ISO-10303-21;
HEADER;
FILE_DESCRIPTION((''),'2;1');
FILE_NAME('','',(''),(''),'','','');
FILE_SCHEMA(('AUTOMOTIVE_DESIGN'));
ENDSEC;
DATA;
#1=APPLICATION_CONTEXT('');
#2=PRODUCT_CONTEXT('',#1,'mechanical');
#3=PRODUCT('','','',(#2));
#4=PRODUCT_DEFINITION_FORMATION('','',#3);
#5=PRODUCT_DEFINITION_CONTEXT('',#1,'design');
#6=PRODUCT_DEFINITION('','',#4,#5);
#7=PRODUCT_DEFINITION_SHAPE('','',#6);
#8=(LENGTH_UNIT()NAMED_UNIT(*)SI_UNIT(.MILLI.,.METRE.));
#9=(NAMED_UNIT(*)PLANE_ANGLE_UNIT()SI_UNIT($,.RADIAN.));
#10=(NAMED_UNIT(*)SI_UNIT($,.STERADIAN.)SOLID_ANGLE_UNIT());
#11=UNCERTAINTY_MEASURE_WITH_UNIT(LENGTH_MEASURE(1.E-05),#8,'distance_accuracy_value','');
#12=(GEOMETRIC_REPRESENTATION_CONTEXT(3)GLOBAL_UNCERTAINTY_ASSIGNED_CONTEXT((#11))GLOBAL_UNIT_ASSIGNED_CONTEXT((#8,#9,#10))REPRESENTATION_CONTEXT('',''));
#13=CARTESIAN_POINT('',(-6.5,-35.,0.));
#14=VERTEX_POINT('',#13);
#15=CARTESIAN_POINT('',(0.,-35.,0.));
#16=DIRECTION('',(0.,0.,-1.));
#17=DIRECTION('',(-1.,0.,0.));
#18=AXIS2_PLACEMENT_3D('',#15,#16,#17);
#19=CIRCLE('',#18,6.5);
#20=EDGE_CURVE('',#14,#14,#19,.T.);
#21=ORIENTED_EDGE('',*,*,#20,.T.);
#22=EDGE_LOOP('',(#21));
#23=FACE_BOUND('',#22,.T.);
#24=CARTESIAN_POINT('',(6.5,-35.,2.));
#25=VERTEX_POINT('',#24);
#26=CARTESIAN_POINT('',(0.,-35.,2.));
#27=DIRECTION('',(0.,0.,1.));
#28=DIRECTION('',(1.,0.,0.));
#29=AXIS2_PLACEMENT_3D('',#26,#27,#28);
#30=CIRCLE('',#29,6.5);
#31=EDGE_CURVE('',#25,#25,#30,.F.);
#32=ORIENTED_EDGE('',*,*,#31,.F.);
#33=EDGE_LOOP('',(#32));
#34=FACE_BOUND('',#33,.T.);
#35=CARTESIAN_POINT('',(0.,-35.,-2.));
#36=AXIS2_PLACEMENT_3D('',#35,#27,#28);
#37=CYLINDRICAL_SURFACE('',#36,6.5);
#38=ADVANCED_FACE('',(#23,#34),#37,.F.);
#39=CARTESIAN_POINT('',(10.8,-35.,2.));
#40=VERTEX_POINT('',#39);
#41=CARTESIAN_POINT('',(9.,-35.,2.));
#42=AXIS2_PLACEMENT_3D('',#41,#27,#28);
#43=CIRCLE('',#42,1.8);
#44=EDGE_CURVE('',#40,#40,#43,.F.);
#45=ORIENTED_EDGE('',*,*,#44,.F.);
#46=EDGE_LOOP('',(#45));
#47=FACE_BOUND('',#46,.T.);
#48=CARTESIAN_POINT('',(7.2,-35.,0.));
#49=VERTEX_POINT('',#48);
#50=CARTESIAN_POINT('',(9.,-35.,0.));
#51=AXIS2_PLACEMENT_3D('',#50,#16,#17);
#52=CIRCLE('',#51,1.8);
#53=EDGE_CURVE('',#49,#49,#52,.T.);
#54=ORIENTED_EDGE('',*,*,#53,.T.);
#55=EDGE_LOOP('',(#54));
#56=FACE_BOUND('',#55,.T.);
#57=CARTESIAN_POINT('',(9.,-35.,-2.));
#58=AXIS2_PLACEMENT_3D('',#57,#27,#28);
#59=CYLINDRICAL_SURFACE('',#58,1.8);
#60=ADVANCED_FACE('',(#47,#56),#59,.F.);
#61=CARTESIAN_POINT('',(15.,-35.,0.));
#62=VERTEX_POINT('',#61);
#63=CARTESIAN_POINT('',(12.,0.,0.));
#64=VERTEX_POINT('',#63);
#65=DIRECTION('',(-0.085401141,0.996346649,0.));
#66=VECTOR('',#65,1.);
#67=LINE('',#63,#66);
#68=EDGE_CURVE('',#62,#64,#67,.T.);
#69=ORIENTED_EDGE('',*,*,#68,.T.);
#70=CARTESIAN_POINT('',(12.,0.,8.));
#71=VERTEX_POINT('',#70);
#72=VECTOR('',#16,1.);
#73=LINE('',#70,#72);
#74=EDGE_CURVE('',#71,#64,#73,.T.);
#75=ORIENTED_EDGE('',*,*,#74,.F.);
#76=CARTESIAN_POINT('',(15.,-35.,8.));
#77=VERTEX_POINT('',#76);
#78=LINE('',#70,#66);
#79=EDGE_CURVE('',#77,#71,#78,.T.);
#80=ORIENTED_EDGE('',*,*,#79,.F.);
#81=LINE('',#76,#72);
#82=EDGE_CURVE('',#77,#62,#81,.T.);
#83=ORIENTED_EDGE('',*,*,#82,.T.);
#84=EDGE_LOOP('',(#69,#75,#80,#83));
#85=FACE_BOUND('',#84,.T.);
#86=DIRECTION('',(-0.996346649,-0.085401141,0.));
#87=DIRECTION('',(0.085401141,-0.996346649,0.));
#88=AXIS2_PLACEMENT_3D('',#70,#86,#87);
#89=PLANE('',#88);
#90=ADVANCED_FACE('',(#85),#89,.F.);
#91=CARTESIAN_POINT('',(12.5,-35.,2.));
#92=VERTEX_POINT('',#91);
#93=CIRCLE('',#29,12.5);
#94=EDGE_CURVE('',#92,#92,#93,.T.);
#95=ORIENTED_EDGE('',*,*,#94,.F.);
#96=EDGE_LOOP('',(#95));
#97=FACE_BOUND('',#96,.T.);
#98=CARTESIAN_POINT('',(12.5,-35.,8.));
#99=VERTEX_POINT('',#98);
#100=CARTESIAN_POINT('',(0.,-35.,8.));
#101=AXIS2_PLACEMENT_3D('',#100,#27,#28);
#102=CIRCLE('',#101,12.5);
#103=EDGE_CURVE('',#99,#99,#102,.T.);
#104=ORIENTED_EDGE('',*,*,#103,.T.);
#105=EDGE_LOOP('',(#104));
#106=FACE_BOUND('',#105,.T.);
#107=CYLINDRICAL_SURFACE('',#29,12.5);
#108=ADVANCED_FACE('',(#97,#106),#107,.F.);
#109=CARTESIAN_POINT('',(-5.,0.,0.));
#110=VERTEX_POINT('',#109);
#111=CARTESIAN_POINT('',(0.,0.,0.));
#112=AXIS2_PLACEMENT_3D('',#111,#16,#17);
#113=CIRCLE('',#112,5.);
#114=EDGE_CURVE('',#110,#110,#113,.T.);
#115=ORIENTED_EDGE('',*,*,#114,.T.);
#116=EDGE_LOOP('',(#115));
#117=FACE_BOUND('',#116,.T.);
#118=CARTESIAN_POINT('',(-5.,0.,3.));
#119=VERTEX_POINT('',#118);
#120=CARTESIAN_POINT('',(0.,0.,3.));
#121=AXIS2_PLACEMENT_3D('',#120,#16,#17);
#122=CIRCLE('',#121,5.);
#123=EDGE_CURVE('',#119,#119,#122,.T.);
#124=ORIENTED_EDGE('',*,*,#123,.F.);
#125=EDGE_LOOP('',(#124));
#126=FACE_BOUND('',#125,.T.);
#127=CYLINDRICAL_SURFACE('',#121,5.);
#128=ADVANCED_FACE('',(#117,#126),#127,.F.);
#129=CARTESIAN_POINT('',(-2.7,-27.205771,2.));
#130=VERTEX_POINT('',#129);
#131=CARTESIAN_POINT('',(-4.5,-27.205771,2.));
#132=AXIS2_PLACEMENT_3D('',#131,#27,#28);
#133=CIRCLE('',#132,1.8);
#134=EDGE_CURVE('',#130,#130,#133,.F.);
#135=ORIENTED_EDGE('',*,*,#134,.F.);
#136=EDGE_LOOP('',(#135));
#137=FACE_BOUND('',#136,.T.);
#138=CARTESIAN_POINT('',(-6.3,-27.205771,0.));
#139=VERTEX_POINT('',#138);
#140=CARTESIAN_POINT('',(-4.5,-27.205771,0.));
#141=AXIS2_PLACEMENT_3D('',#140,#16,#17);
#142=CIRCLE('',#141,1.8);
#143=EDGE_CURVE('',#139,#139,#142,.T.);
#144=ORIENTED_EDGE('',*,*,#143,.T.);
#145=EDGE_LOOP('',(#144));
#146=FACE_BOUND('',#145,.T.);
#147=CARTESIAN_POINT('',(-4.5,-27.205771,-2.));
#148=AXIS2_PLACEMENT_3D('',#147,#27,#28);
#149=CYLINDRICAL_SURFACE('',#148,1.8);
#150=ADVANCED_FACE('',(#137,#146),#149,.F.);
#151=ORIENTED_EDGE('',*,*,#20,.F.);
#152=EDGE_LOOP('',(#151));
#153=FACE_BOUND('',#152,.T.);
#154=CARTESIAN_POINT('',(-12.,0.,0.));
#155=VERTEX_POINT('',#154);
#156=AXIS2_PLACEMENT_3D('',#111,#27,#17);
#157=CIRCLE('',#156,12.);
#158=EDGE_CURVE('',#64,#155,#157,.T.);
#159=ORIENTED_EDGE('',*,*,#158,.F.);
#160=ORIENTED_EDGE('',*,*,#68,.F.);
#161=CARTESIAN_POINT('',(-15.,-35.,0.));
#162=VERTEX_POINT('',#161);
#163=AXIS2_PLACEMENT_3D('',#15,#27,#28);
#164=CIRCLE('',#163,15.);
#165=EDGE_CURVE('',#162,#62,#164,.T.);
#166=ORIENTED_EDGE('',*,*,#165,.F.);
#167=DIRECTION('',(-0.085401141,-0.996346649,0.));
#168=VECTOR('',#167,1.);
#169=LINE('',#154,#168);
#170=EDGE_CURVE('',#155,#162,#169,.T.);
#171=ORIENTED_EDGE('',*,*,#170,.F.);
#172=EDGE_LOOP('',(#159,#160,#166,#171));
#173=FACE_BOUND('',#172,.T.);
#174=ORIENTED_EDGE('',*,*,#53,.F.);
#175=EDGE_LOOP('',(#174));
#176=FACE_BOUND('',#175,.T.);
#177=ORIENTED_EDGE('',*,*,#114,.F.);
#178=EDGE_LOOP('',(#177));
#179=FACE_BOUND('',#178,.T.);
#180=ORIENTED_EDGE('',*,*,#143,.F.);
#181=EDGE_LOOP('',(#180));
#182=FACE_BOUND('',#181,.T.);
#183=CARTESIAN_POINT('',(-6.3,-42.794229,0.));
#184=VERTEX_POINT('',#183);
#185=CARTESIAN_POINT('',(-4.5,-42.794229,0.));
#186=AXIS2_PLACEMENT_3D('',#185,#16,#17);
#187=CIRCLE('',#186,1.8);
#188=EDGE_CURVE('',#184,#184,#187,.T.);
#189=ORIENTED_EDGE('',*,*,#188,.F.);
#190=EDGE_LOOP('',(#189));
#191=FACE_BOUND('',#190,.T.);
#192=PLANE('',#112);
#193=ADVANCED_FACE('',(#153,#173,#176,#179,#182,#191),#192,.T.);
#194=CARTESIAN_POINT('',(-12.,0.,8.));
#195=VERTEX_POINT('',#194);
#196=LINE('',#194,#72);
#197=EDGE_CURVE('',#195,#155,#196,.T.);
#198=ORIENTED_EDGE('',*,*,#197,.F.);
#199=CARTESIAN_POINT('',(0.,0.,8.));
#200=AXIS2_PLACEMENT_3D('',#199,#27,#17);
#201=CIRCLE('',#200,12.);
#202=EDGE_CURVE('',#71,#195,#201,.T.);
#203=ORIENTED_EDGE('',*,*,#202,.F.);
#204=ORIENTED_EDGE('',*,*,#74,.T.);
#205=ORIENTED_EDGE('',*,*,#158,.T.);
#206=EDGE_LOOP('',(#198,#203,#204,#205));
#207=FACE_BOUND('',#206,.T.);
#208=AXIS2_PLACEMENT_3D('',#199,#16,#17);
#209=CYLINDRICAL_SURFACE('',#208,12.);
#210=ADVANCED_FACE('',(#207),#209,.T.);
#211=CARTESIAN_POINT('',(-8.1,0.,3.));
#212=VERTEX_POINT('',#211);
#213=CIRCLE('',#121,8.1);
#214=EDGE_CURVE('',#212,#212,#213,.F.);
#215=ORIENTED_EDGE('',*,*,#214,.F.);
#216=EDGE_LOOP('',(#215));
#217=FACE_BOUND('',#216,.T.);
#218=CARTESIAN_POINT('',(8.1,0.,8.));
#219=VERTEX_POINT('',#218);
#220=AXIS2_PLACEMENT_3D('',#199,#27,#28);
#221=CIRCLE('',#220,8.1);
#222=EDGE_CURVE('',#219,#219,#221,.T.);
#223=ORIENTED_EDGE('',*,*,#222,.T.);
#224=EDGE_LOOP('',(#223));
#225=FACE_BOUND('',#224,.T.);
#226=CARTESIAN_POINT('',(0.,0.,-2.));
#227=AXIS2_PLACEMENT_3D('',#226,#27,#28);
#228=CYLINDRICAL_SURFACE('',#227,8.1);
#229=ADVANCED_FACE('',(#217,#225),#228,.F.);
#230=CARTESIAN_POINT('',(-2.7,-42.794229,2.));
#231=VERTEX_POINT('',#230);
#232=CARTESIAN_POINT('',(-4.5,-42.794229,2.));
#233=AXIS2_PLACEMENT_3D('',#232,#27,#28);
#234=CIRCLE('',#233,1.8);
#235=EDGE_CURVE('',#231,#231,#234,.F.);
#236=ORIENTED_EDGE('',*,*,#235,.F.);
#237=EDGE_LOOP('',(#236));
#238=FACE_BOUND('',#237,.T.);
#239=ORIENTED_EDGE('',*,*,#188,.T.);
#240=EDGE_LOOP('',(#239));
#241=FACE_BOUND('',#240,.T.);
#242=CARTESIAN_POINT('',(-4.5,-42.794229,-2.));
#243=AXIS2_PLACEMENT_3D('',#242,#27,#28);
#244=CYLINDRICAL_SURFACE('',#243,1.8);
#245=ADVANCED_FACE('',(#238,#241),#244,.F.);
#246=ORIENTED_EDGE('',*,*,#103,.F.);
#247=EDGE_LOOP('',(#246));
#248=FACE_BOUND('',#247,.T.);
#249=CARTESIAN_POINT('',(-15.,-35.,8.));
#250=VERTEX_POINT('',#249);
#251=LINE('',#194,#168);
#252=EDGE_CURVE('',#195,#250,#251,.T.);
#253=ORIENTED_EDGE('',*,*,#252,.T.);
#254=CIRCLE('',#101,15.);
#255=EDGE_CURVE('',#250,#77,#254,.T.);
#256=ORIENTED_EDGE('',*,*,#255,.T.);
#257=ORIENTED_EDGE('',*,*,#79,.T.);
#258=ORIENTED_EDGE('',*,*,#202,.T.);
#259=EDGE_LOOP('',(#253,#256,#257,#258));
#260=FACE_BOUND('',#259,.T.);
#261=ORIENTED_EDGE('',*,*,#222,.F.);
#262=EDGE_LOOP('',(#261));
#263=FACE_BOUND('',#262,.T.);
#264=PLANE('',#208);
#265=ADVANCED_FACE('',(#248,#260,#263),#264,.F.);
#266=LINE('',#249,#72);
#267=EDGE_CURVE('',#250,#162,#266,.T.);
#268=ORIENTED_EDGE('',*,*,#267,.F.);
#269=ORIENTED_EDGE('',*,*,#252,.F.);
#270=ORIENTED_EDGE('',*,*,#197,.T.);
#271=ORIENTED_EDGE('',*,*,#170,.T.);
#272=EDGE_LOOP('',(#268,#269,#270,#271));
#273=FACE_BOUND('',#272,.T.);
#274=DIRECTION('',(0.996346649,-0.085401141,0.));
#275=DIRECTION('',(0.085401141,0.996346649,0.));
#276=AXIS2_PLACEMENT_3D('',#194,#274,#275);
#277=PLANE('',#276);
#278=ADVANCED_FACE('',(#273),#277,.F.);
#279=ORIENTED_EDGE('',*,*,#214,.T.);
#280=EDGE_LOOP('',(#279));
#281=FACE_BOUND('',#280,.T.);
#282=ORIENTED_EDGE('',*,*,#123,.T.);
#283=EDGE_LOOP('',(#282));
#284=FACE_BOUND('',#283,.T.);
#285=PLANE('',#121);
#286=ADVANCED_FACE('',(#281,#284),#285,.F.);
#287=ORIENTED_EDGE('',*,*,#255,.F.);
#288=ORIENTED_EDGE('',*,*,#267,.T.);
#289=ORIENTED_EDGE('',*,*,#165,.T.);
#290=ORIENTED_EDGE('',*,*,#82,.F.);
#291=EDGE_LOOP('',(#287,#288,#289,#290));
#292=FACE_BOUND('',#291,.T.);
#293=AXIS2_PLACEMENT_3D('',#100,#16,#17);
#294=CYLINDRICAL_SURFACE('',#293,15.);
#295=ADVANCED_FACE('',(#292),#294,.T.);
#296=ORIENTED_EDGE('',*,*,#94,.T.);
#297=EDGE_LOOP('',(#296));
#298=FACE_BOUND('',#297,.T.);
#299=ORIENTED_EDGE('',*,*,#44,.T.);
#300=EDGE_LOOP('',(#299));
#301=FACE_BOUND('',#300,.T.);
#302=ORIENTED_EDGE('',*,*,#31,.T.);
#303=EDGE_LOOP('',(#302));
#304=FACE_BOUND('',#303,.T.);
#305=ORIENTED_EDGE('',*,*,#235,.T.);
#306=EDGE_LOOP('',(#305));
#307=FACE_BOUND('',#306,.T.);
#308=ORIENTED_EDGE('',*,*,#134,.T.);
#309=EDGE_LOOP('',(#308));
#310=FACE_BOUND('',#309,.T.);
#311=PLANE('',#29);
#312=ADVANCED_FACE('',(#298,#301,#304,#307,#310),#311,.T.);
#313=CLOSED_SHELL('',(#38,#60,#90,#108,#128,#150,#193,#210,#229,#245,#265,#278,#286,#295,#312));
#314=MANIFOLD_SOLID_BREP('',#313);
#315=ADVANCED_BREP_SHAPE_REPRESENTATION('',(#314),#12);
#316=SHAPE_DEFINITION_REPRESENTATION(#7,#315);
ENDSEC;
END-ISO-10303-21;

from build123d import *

# Parameters (mm, degrees)
BOSS_EXTRU_1_DEPTH      = 8
ESQUISSE2_R             = 6.5
ENL_V_MAT_EXTRU_1_DEPTH = 10
ESQUISSE3_R             = 1.8
ENL_V_MAT_EXTRU_2_DEPTH = 10
ESQUISSE5_R             = 12.5
ENL_V_MAT_EXTRU_5_DEPTH = 6
ESQUISSE19_R            = 8.1
ENL_V_MAT_EXTRU_6_DEPTH = 10
BOSS_EXTRU_2_START      = -3
ESQUISSE22_R            = 8.1
ESQUISSE22_R_2          = 5
BOSS_EXTRU_2_DEPTH      = 3


with BuildPart() as part:
    # Esquisse1 → Boss.-Extru.1 (new body)
    with BuildSketch(Plane.XY):
        with BuildLine():
            Line((12, 0), (15, -35))
            ThreePointArc((15, -35), (0, -50), (-15, -35))
            Line((-15, -35), (-12, 0))
            ThreePointArc((-12, 0), (0, 12), (12, 0))
        make_face()
    extrude(amount=BOSS_EXTRU_1_DEPTH)

    # Esquisse2 → Enlèv. mat.-Extru.1 (cut)
    with BuildSketch(Plane.XY.offset(8)):
        with Locations((0, -35)):
            Circle(ESQUISSE2_R)
    extrude(amount=-ENL_V_MAT_EXTRU_1_DEPTH, mode=Mode.SUBTRACT)

    # Esquisse3 → Enlèv. mat.-Extru.2 (cut)
    with BuildSketch(Plane.XY.offset(8)):
        with Locations((9, -35)):
            Circle(ESQUISSE3_R)
        with Locations((-4.5, -27.205771366)):
            Circle(ESQUISSE3_R)
        with Locations((-4.5, -42.794228634)):
            Circle(ESQUISSE3_R)
    extrude(amount=-ENL_V_MAT_EXTRU_2_DEPTH, mode=Mode.SUBTRACT)

    # Esquisse5 → Enlèv. mat.-Extru.5 (cut)
    with BuildSketch(Plane.XY.offset(8)):
        with Locations((0, -35)):
            Circle(ESQUISSE5_R)
    extrude(amount=-ENL_V_MAT_EXTRU_5_DEPTH, mode=Mode.SUBTRACT)

    # Esquisse19 → Enlèv. mat.-Extru.6 (cut)
    with BuildSketch(Plane.XY.offset(8)):
        Circle(ESQUISSE19_R)
    extrude(amount=-ENL_V_MAT_EXTRU_6_DEPTH, mode=Mode.SUBTRACT)

    # Esquisse22 → Boss.-Extru.2 (add)
    with BuildSketch(Plane(origin=(0, 0, 0), x_dir=(-1, 0, 0), z_dir=(0, 0, -1)).offset(BOSS_EXTRU_2_START)):
        with Locations(Location((0, 0, 0), (0, 0, 180))):
            Circle(ESQUISSE22_R)
        Circle(ESQUISSE22_R_2, mode=Mode.SUBTRACT)
    extrude(amount=BOSS_EXTRU_2_DEPTH)


solid = part.part
